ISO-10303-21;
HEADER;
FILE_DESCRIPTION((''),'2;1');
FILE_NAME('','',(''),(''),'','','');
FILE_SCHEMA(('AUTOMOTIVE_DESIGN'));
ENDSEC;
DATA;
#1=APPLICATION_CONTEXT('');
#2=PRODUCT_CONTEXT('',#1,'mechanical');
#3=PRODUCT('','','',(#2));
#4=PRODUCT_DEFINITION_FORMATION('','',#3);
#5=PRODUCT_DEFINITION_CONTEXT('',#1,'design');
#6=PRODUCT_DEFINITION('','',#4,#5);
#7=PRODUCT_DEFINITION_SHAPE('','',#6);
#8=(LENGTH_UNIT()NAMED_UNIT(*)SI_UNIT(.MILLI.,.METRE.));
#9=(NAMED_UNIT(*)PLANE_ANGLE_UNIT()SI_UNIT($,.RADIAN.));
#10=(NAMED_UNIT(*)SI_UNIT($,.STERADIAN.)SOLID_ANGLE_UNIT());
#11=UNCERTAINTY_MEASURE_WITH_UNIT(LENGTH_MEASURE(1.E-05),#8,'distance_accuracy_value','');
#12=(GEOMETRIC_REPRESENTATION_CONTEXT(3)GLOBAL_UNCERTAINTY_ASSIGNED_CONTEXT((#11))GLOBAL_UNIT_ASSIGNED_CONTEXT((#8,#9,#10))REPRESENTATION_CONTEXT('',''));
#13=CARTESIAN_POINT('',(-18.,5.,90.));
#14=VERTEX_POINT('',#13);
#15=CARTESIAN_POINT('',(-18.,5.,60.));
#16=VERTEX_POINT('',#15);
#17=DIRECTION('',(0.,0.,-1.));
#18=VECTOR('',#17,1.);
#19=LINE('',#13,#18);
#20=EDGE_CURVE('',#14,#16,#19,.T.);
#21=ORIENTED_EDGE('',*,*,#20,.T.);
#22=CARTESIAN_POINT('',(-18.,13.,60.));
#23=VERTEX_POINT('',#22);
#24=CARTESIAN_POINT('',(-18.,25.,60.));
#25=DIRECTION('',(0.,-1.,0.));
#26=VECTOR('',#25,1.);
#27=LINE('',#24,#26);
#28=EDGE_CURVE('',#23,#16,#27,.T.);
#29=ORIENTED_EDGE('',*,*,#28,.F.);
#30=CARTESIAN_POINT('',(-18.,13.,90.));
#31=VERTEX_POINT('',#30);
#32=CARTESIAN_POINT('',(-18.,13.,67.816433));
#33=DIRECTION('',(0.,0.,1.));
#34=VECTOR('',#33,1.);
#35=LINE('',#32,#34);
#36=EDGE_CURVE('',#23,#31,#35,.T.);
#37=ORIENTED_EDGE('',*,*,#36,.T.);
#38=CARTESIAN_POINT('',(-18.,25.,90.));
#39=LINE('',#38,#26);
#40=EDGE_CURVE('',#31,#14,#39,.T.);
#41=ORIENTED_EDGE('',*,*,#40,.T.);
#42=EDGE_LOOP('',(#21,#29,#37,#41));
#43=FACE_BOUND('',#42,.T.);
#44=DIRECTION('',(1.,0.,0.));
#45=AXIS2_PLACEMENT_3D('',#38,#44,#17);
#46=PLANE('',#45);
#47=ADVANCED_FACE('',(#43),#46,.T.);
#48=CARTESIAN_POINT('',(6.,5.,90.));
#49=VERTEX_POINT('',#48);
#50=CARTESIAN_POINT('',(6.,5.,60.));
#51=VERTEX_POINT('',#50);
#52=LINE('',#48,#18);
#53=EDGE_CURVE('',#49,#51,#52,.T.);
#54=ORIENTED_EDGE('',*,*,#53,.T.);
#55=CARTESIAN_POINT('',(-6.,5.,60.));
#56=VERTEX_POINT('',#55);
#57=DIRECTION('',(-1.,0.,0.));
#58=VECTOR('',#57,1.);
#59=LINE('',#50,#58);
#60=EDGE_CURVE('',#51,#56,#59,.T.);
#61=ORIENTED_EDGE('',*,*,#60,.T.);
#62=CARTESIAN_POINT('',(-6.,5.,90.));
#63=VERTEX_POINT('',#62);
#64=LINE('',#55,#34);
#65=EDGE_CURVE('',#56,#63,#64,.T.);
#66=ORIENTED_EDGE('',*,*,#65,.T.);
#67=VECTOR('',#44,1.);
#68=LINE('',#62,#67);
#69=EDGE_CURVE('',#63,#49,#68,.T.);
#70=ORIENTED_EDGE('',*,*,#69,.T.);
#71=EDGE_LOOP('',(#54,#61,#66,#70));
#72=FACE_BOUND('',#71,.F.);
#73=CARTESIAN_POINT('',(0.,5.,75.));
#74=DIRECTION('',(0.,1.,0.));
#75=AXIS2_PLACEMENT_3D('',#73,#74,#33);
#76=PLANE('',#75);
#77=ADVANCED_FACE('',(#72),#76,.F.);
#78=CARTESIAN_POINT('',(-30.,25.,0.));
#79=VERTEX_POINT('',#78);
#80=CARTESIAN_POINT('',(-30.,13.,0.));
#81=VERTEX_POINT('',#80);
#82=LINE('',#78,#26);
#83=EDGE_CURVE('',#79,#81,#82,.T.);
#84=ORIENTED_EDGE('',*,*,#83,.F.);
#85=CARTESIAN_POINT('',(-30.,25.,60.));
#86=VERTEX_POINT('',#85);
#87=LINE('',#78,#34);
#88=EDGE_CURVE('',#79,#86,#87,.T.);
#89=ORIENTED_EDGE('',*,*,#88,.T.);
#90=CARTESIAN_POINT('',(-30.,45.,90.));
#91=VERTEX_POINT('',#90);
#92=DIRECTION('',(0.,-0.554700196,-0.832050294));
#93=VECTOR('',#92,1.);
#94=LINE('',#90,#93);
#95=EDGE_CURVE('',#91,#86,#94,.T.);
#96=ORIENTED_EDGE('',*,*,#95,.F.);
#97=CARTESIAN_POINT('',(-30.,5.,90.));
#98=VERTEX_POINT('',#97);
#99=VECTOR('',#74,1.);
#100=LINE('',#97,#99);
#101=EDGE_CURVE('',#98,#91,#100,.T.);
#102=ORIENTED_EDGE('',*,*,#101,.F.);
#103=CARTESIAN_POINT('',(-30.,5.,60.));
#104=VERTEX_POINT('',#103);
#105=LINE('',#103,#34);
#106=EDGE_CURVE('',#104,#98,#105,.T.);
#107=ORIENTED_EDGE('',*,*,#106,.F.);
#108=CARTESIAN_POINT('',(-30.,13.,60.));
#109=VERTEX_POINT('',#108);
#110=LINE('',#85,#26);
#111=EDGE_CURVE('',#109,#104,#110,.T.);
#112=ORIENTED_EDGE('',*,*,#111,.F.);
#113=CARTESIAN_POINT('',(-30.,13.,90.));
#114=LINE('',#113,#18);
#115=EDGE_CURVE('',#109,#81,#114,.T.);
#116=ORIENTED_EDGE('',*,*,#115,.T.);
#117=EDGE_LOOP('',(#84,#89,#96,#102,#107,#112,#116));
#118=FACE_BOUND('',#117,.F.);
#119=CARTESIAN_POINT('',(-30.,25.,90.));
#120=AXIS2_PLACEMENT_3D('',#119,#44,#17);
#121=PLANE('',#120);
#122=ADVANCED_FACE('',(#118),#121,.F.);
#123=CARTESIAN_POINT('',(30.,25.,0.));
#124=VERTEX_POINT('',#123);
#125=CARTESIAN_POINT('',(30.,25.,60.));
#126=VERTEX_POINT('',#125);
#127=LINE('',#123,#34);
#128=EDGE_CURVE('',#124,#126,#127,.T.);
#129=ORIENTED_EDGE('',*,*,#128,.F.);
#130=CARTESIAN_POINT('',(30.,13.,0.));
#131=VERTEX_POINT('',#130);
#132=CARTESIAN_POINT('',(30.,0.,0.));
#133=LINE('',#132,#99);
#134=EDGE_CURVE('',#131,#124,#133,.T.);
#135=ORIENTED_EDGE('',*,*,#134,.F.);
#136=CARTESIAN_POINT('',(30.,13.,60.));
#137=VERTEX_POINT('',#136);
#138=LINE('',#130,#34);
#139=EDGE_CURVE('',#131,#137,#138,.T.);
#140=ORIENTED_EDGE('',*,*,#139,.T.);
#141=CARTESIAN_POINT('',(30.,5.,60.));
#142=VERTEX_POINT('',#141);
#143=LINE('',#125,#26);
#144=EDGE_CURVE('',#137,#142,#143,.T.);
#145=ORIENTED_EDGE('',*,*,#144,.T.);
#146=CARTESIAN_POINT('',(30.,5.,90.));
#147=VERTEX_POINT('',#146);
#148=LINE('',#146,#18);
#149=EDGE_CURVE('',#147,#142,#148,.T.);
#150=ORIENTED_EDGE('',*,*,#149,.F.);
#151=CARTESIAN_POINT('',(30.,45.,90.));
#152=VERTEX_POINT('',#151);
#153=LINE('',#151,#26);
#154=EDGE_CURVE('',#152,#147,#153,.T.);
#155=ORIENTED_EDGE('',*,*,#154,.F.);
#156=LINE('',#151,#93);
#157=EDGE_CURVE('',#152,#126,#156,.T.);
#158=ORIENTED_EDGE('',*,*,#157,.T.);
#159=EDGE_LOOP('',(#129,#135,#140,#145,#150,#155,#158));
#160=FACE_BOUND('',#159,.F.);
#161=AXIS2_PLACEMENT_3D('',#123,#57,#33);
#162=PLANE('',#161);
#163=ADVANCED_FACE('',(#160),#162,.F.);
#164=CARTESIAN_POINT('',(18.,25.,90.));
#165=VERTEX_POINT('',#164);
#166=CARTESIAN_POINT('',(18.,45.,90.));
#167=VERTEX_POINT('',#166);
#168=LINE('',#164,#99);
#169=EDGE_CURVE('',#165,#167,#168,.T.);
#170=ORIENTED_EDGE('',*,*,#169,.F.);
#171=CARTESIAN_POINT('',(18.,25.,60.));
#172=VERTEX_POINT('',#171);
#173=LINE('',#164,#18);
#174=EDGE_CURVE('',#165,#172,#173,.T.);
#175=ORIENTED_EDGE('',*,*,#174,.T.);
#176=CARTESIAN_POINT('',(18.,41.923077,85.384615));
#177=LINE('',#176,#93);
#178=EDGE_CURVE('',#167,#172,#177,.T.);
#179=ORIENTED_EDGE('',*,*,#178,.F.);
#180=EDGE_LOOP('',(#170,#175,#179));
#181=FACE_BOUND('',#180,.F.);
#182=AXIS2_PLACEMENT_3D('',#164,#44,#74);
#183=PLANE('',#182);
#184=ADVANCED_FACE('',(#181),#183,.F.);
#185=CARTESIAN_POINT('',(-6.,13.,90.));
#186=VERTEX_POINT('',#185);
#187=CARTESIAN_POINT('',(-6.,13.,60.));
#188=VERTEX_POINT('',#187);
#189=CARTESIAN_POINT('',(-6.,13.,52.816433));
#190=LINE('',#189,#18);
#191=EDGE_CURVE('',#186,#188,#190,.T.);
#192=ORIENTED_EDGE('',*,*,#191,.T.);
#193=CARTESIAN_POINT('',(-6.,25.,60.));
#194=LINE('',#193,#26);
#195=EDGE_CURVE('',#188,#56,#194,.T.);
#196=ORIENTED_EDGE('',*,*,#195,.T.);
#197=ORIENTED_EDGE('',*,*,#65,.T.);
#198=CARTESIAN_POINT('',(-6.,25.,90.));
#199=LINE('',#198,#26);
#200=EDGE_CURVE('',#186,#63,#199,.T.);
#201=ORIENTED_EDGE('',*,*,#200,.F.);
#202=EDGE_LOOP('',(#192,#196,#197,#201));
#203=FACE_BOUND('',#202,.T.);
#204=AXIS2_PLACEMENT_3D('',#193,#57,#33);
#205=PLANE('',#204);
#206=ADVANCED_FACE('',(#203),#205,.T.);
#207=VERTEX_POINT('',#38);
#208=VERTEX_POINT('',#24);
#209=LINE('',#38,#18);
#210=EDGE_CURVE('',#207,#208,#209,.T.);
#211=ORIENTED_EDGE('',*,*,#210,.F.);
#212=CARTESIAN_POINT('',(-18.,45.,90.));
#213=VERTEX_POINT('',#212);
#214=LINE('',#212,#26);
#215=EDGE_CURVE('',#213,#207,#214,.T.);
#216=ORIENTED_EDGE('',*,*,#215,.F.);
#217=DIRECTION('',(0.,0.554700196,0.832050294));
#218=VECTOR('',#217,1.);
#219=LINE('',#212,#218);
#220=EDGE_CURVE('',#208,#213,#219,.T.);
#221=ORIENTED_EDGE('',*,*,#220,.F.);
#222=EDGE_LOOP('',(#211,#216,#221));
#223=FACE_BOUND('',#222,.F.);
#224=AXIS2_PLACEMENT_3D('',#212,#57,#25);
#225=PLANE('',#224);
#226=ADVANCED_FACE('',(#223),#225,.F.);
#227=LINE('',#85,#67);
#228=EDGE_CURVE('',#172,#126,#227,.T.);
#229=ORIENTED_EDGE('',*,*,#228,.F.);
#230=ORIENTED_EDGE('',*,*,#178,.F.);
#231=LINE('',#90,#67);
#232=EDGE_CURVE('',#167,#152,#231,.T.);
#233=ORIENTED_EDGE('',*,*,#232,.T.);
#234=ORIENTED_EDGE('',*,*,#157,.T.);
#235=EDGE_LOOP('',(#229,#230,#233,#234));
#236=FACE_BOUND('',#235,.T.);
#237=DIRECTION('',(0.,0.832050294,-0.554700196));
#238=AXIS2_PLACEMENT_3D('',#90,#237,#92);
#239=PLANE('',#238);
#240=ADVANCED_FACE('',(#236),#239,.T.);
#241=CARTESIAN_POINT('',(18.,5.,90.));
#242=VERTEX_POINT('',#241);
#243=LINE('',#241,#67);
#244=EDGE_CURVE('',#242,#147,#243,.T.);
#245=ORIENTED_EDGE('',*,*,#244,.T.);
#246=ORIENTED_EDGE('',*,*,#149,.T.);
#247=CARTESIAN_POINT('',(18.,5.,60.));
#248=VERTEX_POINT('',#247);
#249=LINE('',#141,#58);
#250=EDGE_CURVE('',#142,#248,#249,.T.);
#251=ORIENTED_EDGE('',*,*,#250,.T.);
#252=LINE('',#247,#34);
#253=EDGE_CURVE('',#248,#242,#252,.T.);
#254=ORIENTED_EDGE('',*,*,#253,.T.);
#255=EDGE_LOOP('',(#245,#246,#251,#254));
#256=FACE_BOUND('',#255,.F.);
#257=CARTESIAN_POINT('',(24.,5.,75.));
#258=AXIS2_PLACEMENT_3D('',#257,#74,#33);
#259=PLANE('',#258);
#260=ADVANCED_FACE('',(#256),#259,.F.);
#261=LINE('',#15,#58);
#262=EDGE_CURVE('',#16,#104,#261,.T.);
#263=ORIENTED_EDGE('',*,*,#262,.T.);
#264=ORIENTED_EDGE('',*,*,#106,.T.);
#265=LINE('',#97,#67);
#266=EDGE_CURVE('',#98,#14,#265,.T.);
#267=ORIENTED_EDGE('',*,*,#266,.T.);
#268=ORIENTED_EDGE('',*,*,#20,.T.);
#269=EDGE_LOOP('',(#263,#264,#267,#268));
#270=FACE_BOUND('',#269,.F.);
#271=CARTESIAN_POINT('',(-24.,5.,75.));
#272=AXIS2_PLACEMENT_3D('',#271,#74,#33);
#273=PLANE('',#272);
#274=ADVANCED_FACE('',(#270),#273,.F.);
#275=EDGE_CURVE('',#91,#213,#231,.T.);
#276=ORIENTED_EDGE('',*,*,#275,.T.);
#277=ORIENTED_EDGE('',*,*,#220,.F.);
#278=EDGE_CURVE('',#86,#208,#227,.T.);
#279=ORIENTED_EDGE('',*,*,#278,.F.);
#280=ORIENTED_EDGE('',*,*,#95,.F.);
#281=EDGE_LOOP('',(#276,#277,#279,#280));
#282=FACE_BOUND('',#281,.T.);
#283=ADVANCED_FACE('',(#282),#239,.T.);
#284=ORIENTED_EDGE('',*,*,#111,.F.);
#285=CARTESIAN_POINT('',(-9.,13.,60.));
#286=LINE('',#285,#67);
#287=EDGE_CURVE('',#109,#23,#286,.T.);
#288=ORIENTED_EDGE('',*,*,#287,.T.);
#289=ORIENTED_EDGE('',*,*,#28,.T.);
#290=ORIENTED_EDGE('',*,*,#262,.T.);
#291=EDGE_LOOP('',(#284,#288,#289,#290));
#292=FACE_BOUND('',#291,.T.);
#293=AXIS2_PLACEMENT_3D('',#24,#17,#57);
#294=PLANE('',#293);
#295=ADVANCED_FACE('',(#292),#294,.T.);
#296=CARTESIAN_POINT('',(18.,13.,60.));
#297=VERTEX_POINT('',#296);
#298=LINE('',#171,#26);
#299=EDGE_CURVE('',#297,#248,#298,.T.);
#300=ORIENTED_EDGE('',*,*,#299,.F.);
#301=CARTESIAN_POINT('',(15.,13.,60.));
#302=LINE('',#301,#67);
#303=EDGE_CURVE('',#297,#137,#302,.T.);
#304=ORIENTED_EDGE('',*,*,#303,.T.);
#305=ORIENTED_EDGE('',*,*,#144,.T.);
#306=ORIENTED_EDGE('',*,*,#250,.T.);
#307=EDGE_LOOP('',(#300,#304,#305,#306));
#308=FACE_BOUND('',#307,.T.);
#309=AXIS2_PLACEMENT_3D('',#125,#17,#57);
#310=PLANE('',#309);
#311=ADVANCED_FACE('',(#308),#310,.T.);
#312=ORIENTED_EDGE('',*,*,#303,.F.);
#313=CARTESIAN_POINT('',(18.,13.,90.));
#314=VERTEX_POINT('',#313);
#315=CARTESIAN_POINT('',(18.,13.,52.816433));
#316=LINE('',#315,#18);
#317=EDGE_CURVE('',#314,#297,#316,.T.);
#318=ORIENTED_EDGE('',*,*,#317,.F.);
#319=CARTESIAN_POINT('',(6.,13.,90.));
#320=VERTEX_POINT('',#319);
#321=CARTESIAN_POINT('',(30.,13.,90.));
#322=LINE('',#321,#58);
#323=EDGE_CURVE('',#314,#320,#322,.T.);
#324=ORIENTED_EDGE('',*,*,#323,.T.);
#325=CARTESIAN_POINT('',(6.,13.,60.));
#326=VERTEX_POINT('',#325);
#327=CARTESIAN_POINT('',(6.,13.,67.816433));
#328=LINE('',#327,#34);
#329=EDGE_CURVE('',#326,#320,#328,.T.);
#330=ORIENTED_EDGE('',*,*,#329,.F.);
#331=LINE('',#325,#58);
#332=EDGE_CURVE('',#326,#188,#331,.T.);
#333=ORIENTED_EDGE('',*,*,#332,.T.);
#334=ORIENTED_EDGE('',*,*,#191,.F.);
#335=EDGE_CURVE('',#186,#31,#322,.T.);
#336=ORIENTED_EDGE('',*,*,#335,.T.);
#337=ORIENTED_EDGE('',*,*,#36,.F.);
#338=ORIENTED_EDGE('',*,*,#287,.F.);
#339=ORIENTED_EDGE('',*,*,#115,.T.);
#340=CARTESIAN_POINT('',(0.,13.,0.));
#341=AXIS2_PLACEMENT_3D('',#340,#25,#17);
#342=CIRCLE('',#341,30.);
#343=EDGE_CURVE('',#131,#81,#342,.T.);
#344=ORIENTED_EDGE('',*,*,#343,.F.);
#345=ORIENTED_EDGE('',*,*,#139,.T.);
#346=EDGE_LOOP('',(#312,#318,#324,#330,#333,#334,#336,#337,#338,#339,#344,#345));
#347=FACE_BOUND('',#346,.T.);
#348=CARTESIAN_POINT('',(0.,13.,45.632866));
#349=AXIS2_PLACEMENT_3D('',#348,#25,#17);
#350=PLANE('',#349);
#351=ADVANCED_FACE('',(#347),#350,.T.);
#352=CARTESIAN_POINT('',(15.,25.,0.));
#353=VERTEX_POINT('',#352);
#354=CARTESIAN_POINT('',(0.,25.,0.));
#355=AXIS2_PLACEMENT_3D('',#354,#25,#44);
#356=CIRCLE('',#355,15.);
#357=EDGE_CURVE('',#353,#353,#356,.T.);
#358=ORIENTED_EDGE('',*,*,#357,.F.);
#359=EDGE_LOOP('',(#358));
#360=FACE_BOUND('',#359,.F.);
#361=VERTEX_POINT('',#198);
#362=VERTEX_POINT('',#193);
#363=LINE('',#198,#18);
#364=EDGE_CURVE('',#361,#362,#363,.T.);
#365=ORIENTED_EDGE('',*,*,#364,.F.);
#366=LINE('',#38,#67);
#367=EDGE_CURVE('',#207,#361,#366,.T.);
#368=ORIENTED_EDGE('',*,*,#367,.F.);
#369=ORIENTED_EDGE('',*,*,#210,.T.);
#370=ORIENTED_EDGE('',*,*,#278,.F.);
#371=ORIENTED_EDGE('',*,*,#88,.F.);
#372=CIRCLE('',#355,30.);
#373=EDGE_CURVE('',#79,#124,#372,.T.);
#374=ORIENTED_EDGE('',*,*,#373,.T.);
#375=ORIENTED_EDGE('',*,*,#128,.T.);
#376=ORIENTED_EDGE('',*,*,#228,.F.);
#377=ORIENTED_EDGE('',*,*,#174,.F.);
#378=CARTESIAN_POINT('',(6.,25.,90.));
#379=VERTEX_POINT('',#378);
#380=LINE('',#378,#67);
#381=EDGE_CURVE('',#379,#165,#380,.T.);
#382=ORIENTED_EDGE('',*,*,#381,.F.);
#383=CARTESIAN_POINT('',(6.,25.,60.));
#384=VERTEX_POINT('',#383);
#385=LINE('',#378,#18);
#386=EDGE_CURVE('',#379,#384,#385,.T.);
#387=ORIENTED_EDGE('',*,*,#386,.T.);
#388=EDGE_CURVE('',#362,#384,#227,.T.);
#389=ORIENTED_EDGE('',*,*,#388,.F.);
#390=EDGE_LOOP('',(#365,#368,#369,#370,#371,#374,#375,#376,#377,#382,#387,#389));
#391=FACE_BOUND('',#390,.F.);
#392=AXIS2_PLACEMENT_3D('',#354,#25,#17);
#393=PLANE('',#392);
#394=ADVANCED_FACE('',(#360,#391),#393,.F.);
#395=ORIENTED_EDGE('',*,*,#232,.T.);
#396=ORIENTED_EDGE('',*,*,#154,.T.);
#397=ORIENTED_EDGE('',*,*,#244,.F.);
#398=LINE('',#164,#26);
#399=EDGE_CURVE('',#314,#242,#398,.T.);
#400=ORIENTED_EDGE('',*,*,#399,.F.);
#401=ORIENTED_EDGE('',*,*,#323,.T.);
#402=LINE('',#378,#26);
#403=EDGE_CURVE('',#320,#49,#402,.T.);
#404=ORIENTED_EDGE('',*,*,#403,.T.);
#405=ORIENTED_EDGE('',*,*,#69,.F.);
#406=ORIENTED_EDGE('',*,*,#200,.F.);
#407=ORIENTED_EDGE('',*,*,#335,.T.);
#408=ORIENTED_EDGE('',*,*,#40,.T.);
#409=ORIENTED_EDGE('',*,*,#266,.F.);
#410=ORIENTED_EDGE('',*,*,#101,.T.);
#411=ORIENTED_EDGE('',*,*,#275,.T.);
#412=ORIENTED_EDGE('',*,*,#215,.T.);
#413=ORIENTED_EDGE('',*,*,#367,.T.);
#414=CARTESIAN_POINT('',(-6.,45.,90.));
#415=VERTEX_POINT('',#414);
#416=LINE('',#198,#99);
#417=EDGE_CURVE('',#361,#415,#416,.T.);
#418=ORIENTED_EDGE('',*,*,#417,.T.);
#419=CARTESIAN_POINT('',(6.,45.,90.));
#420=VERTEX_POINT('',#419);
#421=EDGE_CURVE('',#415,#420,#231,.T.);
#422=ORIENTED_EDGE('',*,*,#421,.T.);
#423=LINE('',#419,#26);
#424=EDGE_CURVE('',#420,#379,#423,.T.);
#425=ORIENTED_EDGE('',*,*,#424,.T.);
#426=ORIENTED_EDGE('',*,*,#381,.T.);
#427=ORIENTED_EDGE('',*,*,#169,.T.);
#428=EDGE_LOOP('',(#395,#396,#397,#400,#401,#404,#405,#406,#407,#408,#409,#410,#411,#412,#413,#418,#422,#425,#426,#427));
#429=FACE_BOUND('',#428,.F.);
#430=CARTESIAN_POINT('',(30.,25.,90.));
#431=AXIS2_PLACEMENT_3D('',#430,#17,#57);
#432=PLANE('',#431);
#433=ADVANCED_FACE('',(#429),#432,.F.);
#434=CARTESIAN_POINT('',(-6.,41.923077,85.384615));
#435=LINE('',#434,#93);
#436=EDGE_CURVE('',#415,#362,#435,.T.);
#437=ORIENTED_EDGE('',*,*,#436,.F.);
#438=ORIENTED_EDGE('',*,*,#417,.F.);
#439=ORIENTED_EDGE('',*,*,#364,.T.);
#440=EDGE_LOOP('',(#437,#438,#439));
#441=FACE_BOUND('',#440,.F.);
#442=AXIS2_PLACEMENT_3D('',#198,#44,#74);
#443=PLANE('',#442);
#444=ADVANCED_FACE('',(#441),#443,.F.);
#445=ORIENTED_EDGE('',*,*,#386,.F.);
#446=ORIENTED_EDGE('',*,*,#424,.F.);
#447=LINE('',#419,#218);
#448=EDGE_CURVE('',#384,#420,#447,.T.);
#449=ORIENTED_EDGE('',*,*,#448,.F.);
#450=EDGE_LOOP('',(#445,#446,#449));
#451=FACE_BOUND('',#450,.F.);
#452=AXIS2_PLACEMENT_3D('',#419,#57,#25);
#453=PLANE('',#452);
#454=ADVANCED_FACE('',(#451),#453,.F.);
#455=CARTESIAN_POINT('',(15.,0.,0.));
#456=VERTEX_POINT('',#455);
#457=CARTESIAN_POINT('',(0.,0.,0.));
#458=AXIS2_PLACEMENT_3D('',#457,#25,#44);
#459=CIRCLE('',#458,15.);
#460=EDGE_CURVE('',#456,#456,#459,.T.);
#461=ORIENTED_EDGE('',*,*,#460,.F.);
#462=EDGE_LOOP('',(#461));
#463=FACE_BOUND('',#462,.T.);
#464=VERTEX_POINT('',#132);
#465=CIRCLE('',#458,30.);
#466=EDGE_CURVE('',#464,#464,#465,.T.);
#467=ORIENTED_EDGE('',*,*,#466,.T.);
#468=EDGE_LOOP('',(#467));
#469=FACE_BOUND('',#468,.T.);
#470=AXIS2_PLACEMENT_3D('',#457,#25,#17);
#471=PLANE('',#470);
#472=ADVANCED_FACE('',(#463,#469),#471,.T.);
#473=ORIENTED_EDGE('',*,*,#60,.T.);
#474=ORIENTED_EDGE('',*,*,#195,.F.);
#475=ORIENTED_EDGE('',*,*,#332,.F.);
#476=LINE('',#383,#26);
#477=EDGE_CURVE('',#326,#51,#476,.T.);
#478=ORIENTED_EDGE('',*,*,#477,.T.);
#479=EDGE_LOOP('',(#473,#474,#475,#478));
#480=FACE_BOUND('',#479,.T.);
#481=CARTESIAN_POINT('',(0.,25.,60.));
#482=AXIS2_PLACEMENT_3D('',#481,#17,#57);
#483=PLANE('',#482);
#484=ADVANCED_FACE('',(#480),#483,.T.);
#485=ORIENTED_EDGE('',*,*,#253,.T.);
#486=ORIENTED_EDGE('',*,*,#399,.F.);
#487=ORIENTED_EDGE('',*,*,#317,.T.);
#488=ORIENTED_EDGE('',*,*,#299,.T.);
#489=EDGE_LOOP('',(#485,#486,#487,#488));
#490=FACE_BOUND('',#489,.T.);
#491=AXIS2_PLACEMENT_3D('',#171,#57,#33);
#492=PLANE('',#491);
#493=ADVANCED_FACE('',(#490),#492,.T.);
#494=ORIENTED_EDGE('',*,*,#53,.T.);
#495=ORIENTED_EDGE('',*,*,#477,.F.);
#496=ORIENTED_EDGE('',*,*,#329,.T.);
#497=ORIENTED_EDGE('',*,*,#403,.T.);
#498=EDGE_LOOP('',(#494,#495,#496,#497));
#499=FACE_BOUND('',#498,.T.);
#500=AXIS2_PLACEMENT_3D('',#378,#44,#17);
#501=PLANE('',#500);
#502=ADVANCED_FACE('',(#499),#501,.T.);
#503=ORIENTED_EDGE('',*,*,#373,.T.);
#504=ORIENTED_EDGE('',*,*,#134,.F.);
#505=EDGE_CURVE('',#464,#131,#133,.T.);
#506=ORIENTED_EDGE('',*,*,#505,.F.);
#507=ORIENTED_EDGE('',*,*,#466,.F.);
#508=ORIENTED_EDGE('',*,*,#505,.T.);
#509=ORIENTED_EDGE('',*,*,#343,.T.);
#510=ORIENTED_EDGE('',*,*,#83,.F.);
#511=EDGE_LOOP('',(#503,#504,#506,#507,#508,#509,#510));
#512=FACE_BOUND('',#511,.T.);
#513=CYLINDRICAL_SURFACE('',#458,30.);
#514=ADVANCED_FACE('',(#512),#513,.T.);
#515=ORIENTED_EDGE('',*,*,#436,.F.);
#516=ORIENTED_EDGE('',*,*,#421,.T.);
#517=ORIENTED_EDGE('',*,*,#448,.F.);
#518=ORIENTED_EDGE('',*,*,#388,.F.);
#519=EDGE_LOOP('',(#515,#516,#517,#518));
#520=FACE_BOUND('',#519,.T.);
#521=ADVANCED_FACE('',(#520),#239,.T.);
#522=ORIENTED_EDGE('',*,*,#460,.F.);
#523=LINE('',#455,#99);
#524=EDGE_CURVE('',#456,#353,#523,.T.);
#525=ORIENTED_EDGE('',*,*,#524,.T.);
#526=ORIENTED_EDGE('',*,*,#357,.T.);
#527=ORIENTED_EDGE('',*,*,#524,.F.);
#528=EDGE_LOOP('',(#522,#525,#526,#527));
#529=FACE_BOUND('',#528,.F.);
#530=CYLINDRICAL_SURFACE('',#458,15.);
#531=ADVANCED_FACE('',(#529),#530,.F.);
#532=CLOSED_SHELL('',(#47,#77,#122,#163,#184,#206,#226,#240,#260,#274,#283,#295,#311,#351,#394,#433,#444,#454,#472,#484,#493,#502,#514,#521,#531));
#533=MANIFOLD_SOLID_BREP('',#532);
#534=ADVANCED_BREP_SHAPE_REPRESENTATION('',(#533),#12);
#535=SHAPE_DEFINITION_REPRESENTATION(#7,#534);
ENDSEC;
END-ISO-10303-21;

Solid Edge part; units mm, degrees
sketch "Sketch1" plane through (0, 0, 0) normal (0, -1, 0) x (1, 0, 0)
  circle A0 centre (0, 0) radius 30
  circle A1 centre (0, 0) radius 15
extrude "Protrusion1" add sketch "Sketch1" against normal blind 25
sketch "Sketch2" plane through (0, 25, 0) normal (0, 1, 0) x (0, 0, -1)
  line L0 (-90, -30) -> (-90, 30)
  line L1 (-90, 30) -> (0, 30)
  arc A0 (0, -30) -> (0, 30) centre (0, 0) cw
  line L2 (0, -30) -> (-90, -30)
extrude "ExtrudedProtrusion_2" add sketch "Sketch2" against normal blind 12
sketch "Sketch3" plane through (0, 25, 30) normal (0, 1, 0) x (0, 0, 1)
  line L0 (30, 18) -> (60, 18)
  line L1 (60, 18) -> (60, 30)
  line L2 (60, 30) -> (30, 30)
  line L3 (30, 30) -> (30, 18)
  line L4 (30, -6) -> (60, -6)
  line L5 (60, -6) -> (60, 0)
  line L6 (60, 0) -> (60, 6)
  line L7 (60, 6) -> (30, 6)
  line L8 (30, 6) -> (30, 0)
  line L9 (30, 0) -> (30, -6)
  line L10 (60, -18) -> (30, -18)
  line L11 (30, -18) -> (30, -30)
  line L12 (30, -30) -> (60, -30)
  line L13 (60, -30) -> (60, -18)
extrude "ExtrudedProtrusion_3" add sketch "Sketch3" against normal blind 20
sketch "Sketch4" plane through (-30, 15, 45) normal (-1, 0, 0) x (0, 0, 1)
  line L0 (45, 30) -> (15, 10)
  line L1 (15, 10) -> (45, 10)
  line L2 (45, 10) -> (45, 30)
extrude "ExtrudedProtrusion_4" add sketch "Sketch4" against normal blind 60
sketch "Sketch5" plane through (0, 25, 90) normal (0, 0, 1) x (0, -1, 0)
  line L0 (0, 18) -> (-20, 18)
  line L1 (-20, 18) -> (-20, 6)
  line L2 (-20, 6) -> (0, 6)
  line L3 (0, 6) -> (0, 18)
extrude "ExtrudedCutout_1" cut sketch "Sketch5" against normal blind 32
sketch "Sketch6" plane through (0, 25, 90) normal (0, 0, 1) x (0, -1, 0)
  line L0 (0, -6) -> (-20, -6)
  line L1 (-20, -6) -> (-20, -18)
  line L2 (-20, -18) -> (0, -18)
  line L3 (0, -18) -> (0, -6)
extrude "ExtrudedCutout_2" cut sketch "Sketch6" against normal blind 32
